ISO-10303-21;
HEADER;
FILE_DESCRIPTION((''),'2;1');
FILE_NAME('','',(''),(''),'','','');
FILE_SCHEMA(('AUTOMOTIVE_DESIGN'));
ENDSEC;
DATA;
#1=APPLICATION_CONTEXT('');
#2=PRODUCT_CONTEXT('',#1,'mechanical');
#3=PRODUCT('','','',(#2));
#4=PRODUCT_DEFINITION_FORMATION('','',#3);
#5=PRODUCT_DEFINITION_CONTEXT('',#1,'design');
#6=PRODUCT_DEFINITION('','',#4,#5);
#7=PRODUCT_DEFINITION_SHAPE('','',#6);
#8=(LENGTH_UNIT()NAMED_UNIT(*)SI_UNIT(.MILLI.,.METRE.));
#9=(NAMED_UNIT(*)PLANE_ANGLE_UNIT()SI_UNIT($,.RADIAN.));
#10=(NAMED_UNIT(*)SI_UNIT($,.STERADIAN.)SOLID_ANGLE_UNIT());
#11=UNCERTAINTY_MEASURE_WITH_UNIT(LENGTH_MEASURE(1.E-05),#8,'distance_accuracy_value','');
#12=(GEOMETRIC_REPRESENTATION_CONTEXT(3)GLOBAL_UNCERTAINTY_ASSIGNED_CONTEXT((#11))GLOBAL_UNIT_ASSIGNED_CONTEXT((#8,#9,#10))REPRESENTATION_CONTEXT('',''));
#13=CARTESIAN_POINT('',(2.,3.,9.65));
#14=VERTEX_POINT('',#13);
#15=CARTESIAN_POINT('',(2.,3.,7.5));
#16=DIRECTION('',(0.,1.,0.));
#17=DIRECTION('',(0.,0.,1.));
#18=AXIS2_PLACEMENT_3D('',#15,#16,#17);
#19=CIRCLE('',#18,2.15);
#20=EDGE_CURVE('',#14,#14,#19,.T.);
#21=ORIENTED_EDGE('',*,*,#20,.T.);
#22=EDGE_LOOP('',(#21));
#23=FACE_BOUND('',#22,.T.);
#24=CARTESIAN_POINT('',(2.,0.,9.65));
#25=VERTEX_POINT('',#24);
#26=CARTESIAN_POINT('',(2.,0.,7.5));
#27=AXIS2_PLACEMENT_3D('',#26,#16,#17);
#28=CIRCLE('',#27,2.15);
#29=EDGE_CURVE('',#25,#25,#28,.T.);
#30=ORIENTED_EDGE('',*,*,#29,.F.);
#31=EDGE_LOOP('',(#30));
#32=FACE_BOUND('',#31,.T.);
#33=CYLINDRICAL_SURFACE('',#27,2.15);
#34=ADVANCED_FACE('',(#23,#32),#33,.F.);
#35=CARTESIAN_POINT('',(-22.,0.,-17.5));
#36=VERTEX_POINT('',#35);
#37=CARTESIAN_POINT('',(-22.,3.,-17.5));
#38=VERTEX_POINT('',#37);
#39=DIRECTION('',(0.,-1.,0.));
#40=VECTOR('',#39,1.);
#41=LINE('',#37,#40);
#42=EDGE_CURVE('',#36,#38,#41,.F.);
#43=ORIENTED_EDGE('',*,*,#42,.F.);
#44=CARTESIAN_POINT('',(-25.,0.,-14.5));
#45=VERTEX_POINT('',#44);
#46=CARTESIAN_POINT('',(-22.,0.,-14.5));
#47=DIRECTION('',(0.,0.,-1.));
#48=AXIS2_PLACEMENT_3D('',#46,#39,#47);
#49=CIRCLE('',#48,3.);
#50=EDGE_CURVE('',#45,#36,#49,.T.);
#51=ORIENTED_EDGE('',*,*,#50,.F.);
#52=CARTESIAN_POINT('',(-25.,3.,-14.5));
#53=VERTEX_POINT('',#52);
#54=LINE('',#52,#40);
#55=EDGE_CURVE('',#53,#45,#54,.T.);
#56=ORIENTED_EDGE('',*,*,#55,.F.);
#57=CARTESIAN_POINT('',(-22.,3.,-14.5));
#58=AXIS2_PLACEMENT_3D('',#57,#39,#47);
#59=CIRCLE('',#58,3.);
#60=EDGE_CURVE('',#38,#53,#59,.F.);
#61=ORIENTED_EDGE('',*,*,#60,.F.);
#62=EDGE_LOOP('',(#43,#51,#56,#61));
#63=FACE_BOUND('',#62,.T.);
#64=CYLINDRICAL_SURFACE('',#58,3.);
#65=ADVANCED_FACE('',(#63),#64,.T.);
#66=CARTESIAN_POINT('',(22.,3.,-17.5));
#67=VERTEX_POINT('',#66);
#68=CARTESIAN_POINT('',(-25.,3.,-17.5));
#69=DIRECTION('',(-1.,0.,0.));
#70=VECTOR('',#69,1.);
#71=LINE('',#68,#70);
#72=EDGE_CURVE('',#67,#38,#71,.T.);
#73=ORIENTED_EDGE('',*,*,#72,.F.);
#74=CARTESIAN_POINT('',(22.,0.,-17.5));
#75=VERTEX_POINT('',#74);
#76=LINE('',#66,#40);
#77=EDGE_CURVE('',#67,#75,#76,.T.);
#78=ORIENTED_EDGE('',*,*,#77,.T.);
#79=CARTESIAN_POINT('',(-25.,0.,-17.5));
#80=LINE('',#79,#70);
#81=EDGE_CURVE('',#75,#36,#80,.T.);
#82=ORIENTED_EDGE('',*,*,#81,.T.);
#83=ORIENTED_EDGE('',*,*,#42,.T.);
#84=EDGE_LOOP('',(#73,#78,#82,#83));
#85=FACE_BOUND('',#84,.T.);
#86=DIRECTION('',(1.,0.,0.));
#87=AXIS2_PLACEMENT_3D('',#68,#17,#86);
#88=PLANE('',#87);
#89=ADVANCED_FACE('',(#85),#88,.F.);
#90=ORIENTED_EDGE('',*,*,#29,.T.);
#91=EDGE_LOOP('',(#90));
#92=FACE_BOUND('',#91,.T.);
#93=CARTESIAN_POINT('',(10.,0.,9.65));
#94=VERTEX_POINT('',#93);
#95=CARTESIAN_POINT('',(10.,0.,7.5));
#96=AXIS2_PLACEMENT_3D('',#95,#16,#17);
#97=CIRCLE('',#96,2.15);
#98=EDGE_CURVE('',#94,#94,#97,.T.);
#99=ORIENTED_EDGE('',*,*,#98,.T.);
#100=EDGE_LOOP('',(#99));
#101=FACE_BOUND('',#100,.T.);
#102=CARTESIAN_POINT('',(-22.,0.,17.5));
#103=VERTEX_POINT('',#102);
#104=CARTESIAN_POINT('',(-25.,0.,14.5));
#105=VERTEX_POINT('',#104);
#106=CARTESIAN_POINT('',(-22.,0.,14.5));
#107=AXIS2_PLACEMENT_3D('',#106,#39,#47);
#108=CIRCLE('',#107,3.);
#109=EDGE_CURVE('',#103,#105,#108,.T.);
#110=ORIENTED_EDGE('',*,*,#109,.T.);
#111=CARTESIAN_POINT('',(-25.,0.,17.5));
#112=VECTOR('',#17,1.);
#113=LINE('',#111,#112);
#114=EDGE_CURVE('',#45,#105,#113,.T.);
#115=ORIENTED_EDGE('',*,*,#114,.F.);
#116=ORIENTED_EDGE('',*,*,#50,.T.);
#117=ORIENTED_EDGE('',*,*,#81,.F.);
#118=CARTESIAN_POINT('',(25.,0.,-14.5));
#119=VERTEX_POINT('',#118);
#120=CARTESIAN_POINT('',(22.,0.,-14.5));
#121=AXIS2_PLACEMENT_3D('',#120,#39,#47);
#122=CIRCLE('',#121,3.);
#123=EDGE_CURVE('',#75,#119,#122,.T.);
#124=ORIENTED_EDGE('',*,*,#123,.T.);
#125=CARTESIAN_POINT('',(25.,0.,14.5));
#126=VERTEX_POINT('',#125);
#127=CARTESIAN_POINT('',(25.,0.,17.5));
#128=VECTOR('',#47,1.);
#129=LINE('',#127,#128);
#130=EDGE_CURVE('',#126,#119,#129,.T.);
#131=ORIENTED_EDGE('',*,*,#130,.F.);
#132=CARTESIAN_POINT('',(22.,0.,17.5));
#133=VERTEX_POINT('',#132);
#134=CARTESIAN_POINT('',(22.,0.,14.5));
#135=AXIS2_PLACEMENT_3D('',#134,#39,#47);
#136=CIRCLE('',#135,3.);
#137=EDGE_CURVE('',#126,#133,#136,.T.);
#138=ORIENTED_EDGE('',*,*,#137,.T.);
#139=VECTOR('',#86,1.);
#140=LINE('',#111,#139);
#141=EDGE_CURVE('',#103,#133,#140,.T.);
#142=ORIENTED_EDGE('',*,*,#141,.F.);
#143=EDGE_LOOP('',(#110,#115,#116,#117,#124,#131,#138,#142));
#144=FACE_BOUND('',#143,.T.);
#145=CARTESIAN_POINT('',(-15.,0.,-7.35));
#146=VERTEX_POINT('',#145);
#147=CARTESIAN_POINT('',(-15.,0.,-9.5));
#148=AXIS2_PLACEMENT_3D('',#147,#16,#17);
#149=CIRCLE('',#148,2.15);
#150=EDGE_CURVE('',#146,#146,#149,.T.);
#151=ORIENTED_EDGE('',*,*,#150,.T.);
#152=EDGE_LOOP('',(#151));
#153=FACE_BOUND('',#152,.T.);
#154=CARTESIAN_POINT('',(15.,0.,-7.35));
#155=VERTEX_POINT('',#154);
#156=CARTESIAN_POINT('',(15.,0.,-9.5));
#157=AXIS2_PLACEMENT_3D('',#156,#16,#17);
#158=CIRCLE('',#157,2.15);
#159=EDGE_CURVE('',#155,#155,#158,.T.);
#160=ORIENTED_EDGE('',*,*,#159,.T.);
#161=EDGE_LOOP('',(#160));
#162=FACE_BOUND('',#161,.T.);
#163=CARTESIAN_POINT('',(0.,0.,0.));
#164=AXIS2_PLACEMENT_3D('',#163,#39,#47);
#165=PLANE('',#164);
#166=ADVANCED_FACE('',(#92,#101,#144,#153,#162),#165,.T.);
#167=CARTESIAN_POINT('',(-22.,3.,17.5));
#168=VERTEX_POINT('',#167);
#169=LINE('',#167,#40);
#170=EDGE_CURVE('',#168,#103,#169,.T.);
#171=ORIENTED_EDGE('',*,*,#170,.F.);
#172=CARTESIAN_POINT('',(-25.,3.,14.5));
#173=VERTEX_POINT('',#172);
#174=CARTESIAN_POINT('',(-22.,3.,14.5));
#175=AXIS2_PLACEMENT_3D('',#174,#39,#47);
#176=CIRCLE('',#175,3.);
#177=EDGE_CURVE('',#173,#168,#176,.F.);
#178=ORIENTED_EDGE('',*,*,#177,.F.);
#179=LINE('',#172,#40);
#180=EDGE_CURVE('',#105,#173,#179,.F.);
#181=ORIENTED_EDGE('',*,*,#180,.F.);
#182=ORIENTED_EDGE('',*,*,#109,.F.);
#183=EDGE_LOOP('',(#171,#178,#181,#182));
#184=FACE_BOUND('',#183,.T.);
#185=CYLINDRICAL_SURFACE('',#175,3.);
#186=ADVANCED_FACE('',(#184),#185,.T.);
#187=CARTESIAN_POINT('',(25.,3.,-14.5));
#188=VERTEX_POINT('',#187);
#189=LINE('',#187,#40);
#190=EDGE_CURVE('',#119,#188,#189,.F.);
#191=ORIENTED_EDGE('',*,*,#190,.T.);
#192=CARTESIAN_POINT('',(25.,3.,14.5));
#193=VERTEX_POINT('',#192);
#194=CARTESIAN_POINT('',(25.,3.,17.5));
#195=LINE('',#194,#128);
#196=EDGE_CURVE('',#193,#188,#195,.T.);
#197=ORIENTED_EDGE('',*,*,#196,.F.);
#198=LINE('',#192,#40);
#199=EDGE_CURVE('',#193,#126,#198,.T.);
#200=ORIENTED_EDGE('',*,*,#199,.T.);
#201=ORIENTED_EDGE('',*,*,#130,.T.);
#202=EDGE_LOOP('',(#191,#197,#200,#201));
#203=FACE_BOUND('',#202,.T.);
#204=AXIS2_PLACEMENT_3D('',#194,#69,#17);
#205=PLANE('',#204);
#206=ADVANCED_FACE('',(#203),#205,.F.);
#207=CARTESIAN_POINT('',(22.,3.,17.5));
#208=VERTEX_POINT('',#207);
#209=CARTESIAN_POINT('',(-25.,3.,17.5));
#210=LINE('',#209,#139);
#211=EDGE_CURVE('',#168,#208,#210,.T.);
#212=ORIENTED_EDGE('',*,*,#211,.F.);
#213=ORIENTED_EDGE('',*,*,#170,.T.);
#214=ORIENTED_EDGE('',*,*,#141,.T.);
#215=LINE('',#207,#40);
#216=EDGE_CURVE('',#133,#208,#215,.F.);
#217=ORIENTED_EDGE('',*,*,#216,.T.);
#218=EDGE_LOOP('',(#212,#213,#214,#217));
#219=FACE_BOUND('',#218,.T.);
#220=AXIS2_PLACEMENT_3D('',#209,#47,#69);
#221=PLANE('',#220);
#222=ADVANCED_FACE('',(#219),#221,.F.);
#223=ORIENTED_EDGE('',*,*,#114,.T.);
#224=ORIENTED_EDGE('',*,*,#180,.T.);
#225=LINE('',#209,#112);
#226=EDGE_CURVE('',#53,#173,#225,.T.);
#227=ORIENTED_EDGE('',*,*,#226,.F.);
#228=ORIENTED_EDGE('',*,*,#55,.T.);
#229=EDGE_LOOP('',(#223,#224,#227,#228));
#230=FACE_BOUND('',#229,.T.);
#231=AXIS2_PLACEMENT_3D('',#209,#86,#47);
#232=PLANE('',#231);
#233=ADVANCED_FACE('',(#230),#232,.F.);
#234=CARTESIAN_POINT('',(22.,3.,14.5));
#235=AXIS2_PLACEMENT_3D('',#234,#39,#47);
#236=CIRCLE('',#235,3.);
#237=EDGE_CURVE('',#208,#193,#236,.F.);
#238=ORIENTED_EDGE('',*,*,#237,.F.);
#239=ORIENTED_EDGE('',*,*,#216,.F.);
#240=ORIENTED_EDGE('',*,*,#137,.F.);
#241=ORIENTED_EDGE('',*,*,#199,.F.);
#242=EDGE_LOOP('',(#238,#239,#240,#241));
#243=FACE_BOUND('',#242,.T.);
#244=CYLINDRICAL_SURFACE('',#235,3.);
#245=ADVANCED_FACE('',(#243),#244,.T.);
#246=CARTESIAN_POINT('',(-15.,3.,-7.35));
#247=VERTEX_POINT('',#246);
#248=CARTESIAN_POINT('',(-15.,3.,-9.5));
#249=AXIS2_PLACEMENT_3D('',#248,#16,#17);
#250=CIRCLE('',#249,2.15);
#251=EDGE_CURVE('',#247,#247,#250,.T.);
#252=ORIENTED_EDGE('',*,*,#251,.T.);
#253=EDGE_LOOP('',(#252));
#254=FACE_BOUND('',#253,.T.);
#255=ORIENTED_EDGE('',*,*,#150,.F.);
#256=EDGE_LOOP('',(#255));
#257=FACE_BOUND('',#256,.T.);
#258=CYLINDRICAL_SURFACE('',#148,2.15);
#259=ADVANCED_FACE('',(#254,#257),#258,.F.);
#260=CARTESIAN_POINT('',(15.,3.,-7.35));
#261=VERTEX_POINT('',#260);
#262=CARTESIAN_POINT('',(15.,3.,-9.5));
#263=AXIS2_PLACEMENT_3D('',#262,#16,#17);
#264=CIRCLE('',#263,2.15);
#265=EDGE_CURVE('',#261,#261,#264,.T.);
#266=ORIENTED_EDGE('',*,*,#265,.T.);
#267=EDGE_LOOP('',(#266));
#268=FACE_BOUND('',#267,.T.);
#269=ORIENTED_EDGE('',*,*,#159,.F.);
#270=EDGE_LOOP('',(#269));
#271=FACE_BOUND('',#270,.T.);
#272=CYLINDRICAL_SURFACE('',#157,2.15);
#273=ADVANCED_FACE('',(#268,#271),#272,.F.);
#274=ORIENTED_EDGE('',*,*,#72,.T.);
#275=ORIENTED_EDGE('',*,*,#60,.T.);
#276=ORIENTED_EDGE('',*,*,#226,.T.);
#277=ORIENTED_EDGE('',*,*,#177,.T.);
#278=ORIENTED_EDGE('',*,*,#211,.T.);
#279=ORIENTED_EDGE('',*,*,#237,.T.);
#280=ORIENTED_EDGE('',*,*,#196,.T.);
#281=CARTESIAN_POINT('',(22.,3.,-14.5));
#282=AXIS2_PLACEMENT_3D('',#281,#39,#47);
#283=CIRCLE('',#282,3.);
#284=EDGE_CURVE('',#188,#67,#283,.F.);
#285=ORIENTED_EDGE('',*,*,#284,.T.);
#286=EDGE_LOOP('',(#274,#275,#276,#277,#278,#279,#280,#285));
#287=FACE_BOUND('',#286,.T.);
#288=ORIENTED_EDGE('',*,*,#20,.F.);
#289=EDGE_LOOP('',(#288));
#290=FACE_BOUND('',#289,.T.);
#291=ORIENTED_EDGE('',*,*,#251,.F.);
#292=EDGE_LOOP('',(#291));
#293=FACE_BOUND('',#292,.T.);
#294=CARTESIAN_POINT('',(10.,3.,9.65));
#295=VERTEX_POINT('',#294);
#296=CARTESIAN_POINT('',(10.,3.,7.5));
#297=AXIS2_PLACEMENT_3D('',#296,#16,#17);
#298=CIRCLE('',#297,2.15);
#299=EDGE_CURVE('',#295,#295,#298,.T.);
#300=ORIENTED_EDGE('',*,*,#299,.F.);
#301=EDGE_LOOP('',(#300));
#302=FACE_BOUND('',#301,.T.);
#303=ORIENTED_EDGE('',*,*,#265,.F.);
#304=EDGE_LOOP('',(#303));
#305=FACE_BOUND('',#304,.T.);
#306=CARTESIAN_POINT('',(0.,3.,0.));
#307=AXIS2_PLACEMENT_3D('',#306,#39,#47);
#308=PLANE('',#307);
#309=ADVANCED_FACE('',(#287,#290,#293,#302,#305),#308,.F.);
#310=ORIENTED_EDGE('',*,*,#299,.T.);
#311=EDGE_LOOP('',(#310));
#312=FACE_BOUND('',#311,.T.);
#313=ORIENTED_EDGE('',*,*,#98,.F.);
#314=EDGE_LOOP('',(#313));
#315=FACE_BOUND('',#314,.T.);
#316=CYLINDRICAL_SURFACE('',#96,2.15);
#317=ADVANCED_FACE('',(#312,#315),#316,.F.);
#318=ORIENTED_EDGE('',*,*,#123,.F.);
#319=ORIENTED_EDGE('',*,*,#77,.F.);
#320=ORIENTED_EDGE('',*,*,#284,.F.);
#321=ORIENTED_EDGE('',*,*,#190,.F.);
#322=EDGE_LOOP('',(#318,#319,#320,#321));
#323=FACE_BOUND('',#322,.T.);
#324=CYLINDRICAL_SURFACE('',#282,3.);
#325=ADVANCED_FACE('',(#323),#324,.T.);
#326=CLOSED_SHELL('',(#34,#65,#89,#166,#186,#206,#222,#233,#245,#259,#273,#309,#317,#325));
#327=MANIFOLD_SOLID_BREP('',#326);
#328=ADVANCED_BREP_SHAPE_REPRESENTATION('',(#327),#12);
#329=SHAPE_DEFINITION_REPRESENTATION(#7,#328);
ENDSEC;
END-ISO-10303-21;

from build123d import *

# Parameters (mm, degrees)
SKETCH_1_W          = 50
SKETCH_1_H          = 35
EXTRUDE_1_DEPTH     = 3
SKETCH_2_R          = 2.15
CUT_EXTRUDE_1_DEPTH = 3
SKETCH_3_R          = 2.15
CUT_EXTRUDE_2_DEPTH = 3
FILLET_1_R          = 3


with BuildPart() as part:
    # 草图1 → 凸台-拉伸1 (new body)
    with BuildSketch(Plane(origin=(0, 0, 0), x_dir=(1, 0, 0), z_dir=(0, 1, 0))):
        Rectangle(SKETCH_1_W, SKETCH_1_H)
    extrude(amount=EXTRUDE_1_DEPTH)

    # 草图2 → 切除-拉伸1 (cut)
    with BuildSketch(Plane(origin=(0, 3, 0), x_dir=(1, 0, 0), z_dir=(0, 1, 0))):
        with Locations((-15, 9.5)):
            Circle(SKETCH_2_R)
        with Locations((15, 9.5)):
            Circle(SKETCH_2_R)
    extrude(amount=-CUT_EXTRUDE_1_DEPTH, mode=Mode.SUBTRACT)

    # 草图3 → 切除-拉伸2 (cut)
    with BuildSketch(Plane(origin=(0, 3, 0), x_dir=(1, 0, 0), z_dir=(0, 1, 0))):
        with Locations((2, -7.5)):
            Circle(SKETCH_3_R)
        with Locations((10, -7.5)):
            Circle(SKETCH_3_R)
    extrude(amount=-CUT_EXTRUDE_2_DEPTH, mode=Mode.SUBTRACT)

    # 圆角1
    fillet_1_edges = [part.edges().sort_by_distance(p)[0] for p in [
        (25, 1.5, 17.5),
        (-25, 1.5, 17.5),
        (-25, 1.5, -17.5),
        (25, 1.5, -17.5),
    ]]
    fillet(fillet_1_edges, radius=FILLET_1_R)


solid = part.part
